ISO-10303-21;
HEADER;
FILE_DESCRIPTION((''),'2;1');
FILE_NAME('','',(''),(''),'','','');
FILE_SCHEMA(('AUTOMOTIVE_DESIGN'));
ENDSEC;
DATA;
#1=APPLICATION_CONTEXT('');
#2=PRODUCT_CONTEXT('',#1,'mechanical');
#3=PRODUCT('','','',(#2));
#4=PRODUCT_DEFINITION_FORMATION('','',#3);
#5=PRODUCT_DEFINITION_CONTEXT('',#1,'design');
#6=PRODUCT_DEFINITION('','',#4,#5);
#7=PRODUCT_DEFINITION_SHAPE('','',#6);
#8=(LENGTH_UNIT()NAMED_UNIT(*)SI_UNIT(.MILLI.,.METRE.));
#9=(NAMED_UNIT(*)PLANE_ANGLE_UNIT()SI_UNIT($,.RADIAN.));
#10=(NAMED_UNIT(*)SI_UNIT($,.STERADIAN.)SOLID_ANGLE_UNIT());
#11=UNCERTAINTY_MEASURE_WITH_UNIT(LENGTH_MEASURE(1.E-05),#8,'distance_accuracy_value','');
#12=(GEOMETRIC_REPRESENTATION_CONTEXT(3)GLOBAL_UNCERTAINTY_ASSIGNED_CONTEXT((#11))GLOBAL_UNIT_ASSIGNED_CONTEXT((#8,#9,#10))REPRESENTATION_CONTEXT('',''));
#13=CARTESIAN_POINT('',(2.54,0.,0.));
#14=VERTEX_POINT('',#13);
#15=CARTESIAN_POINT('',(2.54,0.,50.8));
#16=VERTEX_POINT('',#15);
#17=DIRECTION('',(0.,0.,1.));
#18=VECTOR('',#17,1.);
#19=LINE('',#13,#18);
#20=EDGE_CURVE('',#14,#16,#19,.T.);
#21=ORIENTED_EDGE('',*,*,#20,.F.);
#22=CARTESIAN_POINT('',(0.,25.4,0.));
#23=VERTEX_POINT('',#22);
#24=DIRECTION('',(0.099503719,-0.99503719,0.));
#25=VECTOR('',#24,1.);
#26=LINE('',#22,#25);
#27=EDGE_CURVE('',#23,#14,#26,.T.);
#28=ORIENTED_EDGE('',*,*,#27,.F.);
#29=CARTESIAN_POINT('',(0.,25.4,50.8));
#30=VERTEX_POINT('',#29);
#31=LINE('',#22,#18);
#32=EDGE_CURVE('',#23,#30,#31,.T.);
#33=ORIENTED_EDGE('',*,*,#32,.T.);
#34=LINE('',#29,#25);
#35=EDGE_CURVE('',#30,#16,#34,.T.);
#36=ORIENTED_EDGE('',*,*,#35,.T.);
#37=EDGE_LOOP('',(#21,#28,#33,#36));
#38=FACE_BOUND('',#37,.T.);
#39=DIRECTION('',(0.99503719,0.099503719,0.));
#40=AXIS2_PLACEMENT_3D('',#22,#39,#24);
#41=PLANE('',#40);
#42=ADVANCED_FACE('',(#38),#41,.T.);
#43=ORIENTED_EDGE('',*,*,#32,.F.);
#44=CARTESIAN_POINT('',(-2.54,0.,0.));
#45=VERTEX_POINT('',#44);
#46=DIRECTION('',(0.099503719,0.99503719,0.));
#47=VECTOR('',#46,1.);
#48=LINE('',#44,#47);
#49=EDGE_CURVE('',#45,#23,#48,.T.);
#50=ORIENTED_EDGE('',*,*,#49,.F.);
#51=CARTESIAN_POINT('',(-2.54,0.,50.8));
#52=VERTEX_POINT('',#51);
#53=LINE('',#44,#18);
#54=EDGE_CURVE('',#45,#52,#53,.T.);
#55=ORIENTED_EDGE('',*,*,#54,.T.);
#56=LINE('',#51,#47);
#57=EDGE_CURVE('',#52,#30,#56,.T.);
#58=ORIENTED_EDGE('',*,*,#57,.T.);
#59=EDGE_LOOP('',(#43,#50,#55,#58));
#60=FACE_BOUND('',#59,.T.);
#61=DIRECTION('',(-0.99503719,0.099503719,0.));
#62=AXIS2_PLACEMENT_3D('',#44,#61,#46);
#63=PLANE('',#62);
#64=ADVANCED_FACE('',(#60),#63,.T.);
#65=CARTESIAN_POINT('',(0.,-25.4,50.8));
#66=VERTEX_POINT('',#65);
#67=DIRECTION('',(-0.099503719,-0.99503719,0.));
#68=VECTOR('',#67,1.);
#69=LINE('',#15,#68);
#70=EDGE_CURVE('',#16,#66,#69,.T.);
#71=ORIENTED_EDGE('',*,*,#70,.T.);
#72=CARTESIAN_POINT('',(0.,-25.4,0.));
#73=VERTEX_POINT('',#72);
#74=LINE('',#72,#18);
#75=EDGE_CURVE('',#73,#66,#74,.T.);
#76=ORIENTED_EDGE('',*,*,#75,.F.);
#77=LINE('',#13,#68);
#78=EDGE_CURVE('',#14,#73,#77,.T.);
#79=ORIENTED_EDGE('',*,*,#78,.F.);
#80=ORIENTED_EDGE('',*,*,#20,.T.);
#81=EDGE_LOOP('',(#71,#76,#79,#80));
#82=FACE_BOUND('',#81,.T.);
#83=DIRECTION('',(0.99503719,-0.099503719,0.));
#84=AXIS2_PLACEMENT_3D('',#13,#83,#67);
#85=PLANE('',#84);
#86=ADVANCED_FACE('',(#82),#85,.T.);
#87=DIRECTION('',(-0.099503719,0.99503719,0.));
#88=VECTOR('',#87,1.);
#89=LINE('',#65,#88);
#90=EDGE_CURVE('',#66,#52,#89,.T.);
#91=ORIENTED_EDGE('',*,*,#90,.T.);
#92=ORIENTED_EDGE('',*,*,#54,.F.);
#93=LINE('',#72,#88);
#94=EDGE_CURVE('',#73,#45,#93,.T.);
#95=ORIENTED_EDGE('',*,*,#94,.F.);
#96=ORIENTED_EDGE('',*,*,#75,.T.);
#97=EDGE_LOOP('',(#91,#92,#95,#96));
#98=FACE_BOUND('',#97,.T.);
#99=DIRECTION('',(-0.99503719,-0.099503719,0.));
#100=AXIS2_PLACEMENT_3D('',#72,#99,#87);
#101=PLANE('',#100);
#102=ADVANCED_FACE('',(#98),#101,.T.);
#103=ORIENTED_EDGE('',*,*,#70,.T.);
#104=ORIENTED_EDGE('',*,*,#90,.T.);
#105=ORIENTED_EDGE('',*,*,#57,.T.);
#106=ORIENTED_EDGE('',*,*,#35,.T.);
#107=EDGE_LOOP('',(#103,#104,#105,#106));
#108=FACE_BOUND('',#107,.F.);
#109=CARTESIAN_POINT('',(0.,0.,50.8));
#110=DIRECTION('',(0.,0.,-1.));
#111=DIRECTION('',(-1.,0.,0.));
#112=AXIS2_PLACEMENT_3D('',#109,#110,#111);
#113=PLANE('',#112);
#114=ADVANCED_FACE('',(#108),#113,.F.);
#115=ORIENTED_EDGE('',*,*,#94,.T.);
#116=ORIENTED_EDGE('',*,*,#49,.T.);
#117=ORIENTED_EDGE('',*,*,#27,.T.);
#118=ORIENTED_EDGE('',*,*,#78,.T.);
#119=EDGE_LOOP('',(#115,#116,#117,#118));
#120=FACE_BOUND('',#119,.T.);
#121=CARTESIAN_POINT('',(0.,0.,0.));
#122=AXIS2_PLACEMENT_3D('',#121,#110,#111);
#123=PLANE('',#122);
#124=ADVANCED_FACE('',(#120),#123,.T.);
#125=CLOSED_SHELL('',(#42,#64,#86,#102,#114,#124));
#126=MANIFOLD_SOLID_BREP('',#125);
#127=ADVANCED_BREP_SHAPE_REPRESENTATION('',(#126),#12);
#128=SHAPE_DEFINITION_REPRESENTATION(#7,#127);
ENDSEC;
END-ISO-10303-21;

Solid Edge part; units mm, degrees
sketch "Sketch1" plane through (0, 0, 0) normal (0, 0, 1) x (1, 0, 0)
  line L0 (2.54, 0) -> (0, -25.4)
  line L1 (0, -25.4) -> (-2.54, 0)
  line L2 (-2.54, 0) -> (0, 25.4)
  line L3 (0, 25.4) -> (2.54, 0)
extrude "Protrusion1" add sketch "Sketch1" along normal blind 50.8
